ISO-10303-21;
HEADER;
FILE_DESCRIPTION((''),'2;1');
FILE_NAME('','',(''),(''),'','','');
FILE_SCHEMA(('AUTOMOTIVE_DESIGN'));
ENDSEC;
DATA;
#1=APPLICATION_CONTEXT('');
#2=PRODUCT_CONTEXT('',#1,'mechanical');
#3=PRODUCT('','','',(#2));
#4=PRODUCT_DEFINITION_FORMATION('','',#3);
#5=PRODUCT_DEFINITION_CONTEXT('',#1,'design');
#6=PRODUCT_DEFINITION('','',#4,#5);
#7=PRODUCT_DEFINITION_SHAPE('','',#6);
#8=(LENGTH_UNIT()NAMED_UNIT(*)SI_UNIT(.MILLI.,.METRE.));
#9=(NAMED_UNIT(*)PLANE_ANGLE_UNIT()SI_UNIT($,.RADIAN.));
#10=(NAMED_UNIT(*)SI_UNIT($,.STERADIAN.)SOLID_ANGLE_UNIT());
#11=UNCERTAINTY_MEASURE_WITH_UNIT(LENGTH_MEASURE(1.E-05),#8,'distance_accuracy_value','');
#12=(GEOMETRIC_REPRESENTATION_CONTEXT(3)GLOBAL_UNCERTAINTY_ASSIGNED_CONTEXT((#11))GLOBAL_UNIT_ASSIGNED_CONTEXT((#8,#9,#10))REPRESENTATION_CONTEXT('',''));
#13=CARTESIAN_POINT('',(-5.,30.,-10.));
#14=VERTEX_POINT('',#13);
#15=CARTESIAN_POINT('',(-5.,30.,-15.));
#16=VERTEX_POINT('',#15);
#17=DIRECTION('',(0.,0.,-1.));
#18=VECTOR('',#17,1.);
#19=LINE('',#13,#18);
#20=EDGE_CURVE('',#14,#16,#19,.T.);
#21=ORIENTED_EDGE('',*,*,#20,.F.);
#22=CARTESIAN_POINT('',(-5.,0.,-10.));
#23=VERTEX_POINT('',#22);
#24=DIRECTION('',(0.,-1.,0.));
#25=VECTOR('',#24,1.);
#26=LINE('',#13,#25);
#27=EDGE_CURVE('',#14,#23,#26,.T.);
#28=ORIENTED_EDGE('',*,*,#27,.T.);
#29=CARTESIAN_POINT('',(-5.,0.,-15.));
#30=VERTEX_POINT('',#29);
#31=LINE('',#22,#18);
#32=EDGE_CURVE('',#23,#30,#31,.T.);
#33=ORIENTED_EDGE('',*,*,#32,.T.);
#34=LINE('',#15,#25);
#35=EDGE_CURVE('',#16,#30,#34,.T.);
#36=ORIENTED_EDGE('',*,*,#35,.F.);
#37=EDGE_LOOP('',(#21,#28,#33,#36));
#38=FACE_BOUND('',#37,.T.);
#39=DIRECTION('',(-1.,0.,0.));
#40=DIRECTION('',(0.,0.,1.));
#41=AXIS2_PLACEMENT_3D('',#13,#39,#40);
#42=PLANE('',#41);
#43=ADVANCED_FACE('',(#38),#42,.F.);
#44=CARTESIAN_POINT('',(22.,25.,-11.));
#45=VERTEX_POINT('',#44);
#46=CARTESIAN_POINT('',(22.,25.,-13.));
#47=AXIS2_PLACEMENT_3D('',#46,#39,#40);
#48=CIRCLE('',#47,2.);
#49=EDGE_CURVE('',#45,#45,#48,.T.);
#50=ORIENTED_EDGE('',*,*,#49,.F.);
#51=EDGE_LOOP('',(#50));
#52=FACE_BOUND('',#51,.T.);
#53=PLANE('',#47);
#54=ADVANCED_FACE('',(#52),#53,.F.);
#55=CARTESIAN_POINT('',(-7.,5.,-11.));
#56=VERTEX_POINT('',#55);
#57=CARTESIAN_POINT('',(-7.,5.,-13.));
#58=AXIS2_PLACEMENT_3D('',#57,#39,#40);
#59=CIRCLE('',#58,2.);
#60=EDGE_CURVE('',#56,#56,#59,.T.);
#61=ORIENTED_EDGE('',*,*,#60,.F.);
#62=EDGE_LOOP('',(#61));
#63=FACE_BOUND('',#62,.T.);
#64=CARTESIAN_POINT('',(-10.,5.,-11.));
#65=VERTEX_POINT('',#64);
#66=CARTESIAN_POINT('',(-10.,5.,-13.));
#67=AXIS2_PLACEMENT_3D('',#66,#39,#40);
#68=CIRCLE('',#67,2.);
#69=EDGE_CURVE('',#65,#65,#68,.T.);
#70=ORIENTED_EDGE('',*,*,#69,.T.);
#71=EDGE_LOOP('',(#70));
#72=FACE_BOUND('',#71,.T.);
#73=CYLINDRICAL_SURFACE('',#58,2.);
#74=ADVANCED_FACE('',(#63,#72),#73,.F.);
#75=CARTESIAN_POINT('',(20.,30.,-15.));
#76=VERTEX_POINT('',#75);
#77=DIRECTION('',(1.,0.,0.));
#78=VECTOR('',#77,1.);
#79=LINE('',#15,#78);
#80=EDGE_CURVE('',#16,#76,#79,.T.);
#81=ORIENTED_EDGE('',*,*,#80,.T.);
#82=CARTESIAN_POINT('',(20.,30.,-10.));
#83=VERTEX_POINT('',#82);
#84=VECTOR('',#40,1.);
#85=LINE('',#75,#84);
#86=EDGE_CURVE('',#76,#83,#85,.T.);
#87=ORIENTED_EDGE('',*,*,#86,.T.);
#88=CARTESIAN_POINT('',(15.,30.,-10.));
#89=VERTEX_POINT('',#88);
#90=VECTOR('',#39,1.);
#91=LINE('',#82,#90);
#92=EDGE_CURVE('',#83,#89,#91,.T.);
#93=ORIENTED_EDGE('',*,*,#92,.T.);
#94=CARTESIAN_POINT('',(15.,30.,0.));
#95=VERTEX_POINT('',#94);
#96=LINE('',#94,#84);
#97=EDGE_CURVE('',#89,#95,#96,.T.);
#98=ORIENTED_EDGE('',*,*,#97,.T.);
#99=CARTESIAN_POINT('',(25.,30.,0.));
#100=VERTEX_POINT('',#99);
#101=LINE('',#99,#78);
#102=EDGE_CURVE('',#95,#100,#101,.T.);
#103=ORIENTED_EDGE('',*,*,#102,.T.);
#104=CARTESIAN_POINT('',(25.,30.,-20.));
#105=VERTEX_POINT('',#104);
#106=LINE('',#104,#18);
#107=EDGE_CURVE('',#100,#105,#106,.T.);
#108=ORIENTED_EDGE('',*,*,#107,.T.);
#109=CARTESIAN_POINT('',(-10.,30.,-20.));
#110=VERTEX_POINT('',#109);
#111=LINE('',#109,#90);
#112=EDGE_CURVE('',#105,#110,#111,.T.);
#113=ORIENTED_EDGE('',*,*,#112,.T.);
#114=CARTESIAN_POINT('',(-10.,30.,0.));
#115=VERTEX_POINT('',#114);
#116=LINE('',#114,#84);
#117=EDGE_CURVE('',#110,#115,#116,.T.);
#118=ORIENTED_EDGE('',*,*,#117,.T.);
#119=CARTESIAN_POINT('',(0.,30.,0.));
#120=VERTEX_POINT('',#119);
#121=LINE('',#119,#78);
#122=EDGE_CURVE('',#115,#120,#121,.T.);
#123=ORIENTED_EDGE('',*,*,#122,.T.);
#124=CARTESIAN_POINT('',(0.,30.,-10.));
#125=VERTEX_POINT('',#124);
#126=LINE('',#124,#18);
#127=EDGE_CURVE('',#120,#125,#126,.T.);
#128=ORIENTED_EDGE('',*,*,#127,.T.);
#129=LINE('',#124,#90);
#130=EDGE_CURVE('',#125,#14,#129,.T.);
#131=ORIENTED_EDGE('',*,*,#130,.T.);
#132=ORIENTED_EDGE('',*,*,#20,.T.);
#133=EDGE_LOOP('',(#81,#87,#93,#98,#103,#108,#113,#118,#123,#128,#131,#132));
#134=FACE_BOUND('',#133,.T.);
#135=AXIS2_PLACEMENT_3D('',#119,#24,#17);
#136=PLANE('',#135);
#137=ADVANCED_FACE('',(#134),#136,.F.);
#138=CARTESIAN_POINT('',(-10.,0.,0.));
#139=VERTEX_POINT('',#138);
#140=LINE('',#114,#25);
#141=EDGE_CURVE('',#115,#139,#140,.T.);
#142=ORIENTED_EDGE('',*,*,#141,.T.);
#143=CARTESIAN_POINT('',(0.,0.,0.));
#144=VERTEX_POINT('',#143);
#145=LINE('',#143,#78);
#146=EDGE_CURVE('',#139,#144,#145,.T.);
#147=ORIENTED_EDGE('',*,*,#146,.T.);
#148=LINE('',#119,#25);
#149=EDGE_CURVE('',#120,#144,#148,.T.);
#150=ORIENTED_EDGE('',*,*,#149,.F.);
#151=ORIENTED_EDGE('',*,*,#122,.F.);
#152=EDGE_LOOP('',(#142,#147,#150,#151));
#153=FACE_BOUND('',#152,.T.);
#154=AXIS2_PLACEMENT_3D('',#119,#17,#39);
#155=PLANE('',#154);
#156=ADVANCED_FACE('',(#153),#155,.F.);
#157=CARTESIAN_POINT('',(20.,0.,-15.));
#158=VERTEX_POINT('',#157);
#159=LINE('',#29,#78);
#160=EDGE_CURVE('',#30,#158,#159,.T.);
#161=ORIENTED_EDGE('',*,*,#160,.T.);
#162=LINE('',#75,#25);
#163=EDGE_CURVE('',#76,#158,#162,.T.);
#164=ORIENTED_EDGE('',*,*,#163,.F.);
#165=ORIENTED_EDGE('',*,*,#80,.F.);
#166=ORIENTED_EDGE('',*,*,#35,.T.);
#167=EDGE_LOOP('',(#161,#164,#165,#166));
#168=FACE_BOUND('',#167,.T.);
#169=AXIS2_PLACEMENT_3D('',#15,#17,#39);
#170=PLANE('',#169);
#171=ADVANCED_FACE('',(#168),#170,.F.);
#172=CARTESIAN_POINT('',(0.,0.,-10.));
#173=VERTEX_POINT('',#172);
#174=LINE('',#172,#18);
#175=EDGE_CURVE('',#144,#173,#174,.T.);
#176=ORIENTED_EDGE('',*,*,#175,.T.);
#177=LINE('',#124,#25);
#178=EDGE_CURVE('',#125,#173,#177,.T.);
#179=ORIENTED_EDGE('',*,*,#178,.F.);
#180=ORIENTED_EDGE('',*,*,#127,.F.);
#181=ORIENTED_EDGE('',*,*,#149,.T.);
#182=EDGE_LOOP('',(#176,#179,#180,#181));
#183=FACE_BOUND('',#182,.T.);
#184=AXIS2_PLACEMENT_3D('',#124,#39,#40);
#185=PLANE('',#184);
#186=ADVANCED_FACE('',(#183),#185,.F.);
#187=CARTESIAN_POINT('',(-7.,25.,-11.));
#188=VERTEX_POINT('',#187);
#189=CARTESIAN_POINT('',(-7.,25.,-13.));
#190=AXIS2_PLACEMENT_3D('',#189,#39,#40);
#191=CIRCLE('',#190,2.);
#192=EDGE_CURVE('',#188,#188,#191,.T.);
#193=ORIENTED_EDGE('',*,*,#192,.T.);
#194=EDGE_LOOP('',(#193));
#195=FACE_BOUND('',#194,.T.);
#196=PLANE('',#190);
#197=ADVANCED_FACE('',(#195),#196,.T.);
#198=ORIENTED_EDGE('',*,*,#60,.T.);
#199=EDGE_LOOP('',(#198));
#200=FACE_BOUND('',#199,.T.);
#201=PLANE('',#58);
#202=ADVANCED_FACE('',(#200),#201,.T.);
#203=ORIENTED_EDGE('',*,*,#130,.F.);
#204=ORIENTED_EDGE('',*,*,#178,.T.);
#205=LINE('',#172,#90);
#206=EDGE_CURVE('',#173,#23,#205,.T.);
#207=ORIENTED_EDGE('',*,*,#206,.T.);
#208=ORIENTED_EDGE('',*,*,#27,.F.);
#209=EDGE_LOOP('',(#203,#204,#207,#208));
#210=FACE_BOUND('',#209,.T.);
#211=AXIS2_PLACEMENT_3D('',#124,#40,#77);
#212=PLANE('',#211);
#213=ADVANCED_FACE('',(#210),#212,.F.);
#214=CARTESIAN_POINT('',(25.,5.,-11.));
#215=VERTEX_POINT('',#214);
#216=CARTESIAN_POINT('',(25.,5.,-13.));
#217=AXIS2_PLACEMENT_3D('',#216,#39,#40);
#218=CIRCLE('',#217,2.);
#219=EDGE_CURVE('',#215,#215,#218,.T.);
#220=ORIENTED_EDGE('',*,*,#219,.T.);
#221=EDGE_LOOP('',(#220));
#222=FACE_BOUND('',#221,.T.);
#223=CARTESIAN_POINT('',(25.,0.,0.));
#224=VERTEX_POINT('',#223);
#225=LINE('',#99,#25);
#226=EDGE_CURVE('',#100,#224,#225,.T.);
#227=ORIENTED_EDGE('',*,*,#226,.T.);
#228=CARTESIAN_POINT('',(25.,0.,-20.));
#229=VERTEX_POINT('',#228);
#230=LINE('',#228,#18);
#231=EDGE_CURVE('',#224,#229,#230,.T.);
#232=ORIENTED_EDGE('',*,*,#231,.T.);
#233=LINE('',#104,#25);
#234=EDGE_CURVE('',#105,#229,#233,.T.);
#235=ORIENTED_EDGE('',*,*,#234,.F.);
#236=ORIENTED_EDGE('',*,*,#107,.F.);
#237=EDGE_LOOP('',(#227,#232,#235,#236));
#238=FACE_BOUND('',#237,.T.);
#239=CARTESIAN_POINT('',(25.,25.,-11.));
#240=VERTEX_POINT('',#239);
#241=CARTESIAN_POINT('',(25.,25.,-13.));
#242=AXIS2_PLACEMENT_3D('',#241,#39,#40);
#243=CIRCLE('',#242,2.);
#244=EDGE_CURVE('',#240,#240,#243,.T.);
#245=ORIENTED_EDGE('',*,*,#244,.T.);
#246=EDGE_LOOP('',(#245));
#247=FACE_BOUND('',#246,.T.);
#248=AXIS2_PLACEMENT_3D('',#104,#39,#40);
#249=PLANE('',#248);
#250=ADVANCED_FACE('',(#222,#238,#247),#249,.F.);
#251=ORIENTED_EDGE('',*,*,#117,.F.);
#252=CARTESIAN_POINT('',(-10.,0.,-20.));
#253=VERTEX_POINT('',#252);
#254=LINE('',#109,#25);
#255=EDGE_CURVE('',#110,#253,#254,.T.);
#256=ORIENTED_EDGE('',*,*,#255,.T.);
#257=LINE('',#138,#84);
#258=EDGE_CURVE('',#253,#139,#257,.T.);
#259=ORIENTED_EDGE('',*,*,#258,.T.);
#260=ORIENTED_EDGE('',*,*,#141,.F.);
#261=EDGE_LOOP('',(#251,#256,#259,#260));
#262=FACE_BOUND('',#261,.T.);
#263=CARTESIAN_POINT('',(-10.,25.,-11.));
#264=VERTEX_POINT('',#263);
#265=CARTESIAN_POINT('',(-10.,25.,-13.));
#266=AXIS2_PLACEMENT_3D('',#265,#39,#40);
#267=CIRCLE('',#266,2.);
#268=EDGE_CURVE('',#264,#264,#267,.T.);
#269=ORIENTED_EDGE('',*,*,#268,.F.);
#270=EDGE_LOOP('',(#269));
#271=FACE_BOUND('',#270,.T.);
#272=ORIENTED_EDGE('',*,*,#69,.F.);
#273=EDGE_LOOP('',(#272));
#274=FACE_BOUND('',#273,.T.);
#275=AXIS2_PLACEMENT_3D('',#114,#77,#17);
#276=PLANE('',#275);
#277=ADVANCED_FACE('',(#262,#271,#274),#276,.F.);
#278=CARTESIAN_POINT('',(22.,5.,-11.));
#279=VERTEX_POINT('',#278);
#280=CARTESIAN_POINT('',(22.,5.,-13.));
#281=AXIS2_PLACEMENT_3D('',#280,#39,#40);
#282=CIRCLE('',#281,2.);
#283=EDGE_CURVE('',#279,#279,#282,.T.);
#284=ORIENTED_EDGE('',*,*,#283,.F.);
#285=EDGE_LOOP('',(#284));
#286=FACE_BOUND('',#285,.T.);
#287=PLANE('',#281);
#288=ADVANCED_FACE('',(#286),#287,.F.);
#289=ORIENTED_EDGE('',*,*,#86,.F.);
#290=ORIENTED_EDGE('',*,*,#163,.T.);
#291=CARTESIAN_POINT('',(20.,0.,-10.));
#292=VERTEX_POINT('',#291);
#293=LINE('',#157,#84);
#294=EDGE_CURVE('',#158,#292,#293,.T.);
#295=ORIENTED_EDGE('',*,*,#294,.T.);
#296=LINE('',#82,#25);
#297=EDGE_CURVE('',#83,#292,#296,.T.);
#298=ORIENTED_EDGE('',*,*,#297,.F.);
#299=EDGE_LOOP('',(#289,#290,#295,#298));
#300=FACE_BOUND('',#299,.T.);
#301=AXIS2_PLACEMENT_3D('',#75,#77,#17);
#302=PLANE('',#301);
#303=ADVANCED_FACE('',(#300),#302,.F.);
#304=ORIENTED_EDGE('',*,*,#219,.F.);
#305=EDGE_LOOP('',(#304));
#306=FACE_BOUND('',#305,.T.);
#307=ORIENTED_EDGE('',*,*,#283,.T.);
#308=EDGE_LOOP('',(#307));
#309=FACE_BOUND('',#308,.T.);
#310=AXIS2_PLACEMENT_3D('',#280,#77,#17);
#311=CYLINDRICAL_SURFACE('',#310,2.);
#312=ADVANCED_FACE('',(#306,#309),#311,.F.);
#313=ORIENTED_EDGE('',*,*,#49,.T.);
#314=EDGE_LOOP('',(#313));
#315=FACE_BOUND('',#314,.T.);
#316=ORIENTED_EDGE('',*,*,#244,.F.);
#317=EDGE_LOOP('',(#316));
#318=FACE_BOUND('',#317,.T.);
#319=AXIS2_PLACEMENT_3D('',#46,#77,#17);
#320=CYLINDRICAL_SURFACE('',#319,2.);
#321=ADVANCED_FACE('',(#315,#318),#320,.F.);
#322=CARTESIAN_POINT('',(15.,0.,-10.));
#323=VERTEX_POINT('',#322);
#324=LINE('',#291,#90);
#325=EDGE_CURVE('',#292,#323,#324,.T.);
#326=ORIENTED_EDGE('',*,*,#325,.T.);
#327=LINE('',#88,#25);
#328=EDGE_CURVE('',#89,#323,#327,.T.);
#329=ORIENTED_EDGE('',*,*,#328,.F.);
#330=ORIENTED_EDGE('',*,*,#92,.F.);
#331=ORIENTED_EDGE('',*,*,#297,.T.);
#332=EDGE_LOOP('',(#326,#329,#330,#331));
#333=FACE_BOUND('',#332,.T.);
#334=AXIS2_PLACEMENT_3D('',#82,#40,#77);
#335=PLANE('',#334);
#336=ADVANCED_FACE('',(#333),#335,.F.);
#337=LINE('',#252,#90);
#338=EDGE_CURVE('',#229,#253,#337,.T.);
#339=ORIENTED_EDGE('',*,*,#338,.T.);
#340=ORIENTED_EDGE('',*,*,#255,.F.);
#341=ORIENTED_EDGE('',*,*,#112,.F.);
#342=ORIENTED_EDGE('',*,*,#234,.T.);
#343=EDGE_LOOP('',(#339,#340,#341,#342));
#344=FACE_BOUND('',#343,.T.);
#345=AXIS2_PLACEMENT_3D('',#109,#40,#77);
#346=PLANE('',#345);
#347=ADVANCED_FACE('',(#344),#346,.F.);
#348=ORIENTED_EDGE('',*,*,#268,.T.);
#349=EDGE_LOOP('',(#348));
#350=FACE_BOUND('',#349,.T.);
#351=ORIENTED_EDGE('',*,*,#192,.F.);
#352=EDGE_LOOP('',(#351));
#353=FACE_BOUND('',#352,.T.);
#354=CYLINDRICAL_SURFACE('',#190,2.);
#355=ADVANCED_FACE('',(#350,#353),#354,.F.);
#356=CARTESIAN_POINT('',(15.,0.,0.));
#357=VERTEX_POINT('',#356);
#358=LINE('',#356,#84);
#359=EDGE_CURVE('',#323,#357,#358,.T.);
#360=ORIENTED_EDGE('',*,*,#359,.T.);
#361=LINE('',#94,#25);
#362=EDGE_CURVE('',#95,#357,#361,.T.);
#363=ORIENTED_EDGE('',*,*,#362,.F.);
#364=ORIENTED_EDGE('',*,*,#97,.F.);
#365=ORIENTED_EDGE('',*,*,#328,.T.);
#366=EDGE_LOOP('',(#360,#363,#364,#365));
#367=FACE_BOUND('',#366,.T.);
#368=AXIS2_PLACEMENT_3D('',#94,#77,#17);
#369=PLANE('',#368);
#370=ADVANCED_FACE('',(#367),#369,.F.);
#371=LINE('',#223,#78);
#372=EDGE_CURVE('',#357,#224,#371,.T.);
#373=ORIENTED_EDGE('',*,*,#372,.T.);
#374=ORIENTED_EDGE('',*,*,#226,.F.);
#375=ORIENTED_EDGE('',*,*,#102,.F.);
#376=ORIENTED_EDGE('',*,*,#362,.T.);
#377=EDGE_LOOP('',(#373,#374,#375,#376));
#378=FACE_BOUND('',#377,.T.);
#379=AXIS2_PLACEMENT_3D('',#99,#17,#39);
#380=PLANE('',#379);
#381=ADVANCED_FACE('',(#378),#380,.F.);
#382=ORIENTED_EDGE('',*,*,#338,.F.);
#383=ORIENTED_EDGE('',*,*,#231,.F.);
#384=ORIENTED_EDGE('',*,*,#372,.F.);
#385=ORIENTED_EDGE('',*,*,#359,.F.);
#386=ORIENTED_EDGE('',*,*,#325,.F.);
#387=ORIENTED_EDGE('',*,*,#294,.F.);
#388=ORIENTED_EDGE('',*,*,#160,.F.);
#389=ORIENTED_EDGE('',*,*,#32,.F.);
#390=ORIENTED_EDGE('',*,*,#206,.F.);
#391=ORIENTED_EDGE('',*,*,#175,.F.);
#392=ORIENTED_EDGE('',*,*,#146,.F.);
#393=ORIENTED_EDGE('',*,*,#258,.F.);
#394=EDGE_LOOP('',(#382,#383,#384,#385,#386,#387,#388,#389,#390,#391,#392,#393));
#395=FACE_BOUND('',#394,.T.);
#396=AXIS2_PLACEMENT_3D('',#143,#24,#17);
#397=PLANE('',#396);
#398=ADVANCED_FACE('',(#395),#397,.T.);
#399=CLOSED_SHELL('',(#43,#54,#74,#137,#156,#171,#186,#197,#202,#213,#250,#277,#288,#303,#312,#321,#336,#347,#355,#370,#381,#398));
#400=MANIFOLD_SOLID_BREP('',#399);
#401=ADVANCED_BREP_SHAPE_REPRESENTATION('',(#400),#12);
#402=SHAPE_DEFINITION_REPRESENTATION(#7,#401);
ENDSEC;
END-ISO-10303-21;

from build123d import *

# Parameters (mm, degrees)
BOSS_EXTRUDE1_DEPTH = 30
CUT_EXTRUDE1_START  = -35
SKETCH2_R           = 2
CUT_EXTRUDE1_DEPTH  = 3
CUT_EXTRUDE2_START  = -3
SKETCH3_R           = 2
CUT_EXTRUDE2_DEPTH  = 3


with BuildPart() as part:
    # Sketch1 → Boss-Extrude1 (new body)
    with BuildSketch(Plane(origin=(0, 0, 0), x_dir=(1, 0, 0), z_dir=(0, 1, 0))):
        Polygon((0, 0), (-10, 0), (-10, 20), (25, 20), (25, 0), (15, 0), (15, 10), (20, 10), (20, 15), (-5, 15), (-5, 10), (0, 10), align=None)
    extrude(amount=BOSS_EXTRUDE1_DEPTH)

    # Sketch2 → Cut-Extrude1 (cut)
    with BuildSketch(Plane.ZY.offset(10).offset(CUT_EXTRUDE1_START)):
        with Locations((-13, 25)):
            Circle(SKETCH2_R)
        with Locations((-13, 5)):
            Circle(SKETCH2_R)
    extrude(amount=CUT_EXTRUDE1_DEPTH, mode=Mode.SUBTRACT)

    # Sketch3 → Cut-Extrude2 (cut)
    with BuildSketch(Plane.ZY.offset(10).offset(CUT_EXTRUDE2_START)):
        with Locations((-13, 25)):
            Circle(SKETCH3_R)
        with Locations((-13, 5)):
            Circle(SKETCH3_R)
    extrude(amount=CUT_EXTRUDE2_DEPTH, mode=Mode.SUBTRACT)


solid = part.part
